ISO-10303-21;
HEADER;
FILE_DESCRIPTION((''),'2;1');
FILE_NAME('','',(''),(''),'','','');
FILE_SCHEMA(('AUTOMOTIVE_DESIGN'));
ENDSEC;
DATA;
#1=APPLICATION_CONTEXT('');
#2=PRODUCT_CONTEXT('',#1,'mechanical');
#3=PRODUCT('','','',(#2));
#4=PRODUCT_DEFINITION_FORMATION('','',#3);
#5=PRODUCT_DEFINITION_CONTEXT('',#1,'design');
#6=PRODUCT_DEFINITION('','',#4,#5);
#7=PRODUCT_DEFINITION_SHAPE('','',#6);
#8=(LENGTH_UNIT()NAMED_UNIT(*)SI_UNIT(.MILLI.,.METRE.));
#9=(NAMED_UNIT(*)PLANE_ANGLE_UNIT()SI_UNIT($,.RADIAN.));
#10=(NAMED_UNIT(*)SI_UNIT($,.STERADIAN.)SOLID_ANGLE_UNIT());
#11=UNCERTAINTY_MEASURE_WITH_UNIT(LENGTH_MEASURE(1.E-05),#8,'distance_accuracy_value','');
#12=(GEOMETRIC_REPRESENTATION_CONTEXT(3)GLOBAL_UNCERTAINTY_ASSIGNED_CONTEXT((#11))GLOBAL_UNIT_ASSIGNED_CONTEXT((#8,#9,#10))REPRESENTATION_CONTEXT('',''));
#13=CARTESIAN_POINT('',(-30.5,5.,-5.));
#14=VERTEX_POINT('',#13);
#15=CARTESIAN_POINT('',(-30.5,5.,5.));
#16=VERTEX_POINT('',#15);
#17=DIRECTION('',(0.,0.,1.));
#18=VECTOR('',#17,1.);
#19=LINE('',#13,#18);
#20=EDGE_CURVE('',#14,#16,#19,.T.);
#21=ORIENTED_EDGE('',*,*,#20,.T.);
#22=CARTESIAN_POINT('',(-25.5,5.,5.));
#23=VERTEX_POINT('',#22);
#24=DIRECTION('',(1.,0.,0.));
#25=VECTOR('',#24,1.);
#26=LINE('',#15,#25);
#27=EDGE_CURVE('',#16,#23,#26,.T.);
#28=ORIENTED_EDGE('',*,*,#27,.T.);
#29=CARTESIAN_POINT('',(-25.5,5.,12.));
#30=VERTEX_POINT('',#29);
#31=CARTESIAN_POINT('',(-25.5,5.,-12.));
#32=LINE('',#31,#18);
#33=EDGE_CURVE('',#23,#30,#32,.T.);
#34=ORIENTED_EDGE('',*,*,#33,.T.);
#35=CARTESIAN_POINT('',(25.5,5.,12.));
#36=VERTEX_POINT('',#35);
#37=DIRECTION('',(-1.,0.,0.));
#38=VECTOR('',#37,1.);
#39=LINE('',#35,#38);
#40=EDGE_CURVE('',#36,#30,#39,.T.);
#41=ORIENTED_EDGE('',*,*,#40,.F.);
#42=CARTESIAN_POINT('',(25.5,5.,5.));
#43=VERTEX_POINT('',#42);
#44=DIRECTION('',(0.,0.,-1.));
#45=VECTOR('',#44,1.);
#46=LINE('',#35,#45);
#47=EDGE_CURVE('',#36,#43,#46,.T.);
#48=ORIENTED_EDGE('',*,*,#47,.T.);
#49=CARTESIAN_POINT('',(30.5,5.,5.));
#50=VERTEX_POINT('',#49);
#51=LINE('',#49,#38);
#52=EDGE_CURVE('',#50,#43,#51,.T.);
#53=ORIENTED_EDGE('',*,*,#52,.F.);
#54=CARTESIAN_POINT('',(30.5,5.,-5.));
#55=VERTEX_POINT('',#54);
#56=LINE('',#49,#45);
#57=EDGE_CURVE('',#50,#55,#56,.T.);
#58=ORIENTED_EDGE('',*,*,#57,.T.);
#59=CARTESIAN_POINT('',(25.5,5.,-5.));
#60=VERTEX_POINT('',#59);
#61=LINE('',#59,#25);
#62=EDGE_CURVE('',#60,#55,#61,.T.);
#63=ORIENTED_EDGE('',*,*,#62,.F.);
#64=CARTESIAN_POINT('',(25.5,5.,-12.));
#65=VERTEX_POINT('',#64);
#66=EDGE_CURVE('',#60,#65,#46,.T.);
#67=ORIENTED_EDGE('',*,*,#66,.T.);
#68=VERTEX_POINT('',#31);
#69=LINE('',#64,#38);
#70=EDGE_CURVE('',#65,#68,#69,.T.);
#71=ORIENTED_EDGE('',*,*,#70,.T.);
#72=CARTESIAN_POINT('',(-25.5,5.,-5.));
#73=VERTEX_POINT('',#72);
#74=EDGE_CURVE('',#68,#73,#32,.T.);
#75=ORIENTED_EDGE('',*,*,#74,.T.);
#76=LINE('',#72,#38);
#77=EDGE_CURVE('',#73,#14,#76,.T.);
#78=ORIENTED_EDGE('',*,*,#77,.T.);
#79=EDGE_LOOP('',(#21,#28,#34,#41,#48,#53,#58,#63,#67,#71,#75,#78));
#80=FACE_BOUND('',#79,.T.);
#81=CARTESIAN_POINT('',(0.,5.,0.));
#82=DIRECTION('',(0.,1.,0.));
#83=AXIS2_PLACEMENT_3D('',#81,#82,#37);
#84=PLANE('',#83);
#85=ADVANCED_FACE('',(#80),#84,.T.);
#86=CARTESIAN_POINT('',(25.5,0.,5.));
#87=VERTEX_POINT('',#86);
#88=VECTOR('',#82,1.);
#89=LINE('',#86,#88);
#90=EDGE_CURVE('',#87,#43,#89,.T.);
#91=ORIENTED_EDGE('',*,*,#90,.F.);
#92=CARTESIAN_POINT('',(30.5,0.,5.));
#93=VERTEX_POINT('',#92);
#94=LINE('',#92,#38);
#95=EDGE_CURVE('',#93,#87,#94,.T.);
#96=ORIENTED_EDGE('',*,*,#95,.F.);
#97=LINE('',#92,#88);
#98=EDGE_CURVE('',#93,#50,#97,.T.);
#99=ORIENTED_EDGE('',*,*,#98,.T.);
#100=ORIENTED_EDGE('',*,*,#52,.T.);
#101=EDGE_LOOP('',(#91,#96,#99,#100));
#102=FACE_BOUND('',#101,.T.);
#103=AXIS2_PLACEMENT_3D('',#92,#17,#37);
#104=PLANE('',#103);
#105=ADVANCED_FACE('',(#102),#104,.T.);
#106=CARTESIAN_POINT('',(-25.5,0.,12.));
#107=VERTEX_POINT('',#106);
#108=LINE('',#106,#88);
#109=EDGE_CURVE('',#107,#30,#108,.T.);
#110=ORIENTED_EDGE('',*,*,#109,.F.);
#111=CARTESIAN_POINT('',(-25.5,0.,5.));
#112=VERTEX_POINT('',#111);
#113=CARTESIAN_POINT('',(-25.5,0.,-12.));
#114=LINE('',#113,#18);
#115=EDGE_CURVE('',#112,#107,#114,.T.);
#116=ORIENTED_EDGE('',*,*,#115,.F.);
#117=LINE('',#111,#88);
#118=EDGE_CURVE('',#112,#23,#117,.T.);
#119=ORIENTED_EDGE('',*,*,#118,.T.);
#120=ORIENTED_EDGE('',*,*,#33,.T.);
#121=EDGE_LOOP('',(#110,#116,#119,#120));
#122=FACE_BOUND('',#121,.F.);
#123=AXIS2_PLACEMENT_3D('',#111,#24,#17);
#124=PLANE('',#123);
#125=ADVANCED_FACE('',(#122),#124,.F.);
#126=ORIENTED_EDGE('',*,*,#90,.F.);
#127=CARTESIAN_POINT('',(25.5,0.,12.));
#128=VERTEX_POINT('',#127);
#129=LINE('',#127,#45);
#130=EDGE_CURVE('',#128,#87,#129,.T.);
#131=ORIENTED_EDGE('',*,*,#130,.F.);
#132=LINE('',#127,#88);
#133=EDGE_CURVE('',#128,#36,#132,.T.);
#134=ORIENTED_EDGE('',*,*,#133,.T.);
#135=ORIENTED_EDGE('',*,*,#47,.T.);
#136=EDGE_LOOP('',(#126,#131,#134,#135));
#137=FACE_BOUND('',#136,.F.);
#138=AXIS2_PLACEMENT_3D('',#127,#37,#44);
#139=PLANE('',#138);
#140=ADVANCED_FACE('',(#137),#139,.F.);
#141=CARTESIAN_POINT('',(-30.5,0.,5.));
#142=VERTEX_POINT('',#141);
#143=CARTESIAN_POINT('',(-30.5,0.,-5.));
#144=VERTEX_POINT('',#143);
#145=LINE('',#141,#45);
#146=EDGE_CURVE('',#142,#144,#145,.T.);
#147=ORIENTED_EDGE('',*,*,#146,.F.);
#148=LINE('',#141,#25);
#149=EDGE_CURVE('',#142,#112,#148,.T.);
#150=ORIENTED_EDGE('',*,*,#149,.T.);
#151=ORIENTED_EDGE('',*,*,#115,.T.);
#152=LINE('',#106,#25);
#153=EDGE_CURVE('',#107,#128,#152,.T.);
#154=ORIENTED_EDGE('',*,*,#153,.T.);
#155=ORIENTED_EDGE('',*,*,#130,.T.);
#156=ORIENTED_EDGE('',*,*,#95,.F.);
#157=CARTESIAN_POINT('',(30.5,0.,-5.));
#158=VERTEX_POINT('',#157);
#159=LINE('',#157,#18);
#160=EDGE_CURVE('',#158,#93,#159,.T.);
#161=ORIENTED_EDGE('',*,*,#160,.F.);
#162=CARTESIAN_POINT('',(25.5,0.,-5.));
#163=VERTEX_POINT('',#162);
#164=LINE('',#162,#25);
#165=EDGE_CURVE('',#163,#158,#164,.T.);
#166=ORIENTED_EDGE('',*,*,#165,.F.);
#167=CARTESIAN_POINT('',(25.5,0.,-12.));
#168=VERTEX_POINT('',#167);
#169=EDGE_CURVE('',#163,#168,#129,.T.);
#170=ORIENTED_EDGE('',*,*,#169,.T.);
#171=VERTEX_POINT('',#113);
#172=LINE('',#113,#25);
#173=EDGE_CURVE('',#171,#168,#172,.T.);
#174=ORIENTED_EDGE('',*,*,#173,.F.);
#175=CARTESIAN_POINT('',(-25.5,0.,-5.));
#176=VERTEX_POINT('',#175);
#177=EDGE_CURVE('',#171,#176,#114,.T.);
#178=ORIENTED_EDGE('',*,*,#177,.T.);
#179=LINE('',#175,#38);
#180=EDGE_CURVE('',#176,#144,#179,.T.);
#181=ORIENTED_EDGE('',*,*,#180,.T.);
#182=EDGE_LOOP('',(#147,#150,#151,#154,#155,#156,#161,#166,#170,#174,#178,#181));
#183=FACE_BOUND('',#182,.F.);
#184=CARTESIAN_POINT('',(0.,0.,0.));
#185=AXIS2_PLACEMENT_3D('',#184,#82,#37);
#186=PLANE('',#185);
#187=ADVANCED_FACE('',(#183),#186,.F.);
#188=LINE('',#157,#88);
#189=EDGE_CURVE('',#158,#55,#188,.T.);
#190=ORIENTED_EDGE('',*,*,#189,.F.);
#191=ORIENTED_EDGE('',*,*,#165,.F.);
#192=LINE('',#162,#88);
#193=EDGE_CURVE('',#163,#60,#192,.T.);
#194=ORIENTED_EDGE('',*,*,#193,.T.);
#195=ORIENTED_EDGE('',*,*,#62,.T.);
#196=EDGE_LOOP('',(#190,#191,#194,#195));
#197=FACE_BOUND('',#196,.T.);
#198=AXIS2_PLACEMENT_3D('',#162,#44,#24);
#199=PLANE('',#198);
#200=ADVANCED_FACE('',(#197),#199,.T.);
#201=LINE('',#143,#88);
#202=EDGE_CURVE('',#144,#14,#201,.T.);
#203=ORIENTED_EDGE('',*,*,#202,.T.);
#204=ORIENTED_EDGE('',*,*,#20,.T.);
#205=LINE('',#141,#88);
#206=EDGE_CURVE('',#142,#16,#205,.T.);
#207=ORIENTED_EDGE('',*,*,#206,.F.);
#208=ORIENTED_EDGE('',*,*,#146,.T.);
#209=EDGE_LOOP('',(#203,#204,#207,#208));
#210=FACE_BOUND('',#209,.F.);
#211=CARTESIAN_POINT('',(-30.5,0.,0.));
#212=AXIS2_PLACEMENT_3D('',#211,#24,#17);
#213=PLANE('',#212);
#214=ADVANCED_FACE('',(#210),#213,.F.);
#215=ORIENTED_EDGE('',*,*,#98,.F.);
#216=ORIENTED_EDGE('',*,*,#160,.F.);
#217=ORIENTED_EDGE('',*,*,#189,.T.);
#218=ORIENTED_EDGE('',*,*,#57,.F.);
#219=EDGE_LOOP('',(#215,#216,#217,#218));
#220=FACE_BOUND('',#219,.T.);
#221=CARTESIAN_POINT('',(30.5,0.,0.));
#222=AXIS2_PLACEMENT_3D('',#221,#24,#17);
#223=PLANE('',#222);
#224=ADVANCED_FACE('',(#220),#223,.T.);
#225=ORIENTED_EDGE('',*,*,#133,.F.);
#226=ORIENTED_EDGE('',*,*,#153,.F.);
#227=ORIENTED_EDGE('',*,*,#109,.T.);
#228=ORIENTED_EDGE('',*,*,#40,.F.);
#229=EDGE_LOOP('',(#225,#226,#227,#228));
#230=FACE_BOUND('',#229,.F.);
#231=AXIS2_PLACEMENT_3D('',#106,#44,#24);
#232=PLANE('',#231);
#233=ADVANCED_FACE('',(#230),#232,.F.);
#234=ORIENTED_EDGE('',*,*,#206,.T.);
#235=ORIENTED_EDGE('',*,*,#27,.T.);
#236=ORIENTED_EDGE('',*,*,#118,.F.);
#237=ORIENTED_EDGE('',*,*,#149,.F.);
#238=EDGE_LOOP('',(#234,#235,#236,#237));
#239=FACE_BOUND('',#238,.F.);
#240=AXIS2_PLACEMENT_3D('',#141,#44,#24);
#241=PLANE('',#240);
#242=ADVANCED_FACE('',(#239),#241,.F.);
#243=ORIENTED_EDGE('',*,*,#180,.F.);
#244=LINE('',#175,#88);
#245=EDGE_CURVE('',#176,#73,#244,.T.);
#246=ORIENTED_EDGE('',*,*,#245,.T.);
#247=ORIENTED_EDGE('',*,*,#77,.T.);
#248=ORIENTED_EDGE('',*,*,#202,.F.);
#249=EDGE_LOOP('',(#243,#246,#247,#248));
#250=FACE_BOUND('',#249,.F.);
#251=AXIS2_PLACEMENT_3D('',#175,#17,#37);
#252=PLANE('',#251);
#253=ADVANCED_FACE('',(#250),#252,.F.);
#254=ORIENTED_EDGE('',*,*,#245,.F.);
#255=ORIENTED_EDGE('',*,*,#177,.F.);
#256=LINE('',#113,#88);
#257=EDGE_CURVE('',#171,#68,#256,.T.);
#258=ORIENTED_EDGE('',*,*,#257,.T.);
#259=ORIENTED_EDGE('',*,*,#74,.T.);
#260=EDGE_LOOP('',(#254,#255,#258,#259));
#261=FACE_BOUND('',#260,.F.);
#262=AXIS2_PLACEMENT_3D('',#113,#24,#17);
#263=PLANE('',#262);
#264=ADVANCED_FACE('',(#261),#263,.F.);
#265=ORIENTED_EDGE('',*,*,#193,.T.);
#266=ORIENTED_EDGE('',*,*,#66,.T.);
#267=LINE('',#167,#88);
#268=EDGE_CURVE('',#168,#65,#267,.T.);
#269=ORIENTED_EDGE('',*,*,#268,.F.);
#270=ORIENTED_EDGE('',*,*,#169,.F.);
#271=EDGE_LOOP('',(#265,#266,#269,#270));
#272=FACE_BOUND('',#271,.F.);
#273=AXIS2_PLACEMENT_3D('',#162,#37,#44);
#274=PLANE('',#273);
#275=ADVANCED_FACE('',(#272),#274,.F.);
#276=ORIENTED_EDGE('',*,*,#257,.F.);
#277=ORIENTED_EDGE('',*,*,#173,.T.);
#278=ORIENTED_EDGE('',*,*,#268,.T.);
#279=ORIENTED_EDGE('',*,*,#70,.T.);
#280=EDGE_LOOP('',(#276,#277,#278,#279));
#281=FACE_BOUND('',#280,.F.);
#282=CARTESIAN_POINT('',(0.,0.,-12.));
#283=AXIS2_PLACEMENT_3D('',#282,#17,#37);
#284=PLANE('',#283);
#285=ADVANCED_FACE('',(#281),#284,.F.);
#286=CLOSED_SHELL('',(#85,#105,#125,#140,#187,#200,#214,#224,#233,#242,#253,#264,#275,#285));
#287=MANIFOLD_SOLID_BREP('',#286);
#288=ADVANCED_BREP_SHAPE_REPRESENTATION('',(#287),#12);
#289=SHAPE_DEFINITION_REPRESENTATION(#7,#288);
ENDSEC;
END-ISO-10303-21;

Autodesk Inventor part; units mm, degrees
ref_plane "YZ Plane" through (0, 0, 0) normal (1, 0, 0) x (0, 1, 0)
ref_plane "XZ Plane" through (0, 0, 0) normal (0, 1, 0) x (-1, 0, 0)
ref_plane "XY Plane" through (0, 0, 0) normal (0, 0, 1) x (1, 0, 0)
sketch "Sketch1" plane through (0, 0, 0) normal (0, 1, 0) x (-1, 0, 0)
  line L0 (25.5, 12) -> (-25.5, 12)
  line L1 (-25.5, 12) -> (-25.5, -12)
  line L2 (-25.5, -12) -> (25.5, -12)
  line L3 (25.5, -12) -> (25.5, 12)
  line L4 (42.7, 0) -> (-42.7, 0) projected
  line L5 (0, -16.8) -> (0, 16.8) projected
  line L6 (25.5, -5) -> (30.5, -5)
  line L7 (30.5, -5) -> (30.5, 5)
  line L8 (30.5, 5) -> (25.5, 5)
  line L9 (25.5, 5) -> (25.5, -5)
  line L10 (-25.5, -5) -> (-30.5, -5)
  line L11 (-30.5, -5) -> (-30.5, 5)
  line L12 (-30.5, 5) -> (-25.5, 5)
  line L13 (-25.5, 5) -> (-25.5, -5)
  point P0 (0, 0)
  point P1 (0, 12)
  point P2 (30.5, 0)
  point P3 (25.5, 0)
  point P4 (-25.5, 7)
  point P5 (-30.5, 0)
  point P6 (-25.5, 0)
  dimension "d3" = 24
  dimension "d4" = 51
  dimension "d7" = 5
  dimension "d8" = 10
extrude "Extrusion1" add sketch "Sketch1" along normal blind 5
equation "\"d3\" = sa_diameter"
equation "\"d4\" = b_mat_thickness + s_shaft_height + s_height + sa_thickness"
equation "\"d7\" = b_mat_thickness"
equation "\"d5\" = b_mat_thickness"
equation "\"sa_diameter\" = 24"
equation "\"b_mat_thickness\" = 5"
equation "\"s_shaft_height\" = 6"
equation "\"s_height\" = 38"
equation "\"sa_thickness\" = 2"
properties part number "Middle_leg_c"
